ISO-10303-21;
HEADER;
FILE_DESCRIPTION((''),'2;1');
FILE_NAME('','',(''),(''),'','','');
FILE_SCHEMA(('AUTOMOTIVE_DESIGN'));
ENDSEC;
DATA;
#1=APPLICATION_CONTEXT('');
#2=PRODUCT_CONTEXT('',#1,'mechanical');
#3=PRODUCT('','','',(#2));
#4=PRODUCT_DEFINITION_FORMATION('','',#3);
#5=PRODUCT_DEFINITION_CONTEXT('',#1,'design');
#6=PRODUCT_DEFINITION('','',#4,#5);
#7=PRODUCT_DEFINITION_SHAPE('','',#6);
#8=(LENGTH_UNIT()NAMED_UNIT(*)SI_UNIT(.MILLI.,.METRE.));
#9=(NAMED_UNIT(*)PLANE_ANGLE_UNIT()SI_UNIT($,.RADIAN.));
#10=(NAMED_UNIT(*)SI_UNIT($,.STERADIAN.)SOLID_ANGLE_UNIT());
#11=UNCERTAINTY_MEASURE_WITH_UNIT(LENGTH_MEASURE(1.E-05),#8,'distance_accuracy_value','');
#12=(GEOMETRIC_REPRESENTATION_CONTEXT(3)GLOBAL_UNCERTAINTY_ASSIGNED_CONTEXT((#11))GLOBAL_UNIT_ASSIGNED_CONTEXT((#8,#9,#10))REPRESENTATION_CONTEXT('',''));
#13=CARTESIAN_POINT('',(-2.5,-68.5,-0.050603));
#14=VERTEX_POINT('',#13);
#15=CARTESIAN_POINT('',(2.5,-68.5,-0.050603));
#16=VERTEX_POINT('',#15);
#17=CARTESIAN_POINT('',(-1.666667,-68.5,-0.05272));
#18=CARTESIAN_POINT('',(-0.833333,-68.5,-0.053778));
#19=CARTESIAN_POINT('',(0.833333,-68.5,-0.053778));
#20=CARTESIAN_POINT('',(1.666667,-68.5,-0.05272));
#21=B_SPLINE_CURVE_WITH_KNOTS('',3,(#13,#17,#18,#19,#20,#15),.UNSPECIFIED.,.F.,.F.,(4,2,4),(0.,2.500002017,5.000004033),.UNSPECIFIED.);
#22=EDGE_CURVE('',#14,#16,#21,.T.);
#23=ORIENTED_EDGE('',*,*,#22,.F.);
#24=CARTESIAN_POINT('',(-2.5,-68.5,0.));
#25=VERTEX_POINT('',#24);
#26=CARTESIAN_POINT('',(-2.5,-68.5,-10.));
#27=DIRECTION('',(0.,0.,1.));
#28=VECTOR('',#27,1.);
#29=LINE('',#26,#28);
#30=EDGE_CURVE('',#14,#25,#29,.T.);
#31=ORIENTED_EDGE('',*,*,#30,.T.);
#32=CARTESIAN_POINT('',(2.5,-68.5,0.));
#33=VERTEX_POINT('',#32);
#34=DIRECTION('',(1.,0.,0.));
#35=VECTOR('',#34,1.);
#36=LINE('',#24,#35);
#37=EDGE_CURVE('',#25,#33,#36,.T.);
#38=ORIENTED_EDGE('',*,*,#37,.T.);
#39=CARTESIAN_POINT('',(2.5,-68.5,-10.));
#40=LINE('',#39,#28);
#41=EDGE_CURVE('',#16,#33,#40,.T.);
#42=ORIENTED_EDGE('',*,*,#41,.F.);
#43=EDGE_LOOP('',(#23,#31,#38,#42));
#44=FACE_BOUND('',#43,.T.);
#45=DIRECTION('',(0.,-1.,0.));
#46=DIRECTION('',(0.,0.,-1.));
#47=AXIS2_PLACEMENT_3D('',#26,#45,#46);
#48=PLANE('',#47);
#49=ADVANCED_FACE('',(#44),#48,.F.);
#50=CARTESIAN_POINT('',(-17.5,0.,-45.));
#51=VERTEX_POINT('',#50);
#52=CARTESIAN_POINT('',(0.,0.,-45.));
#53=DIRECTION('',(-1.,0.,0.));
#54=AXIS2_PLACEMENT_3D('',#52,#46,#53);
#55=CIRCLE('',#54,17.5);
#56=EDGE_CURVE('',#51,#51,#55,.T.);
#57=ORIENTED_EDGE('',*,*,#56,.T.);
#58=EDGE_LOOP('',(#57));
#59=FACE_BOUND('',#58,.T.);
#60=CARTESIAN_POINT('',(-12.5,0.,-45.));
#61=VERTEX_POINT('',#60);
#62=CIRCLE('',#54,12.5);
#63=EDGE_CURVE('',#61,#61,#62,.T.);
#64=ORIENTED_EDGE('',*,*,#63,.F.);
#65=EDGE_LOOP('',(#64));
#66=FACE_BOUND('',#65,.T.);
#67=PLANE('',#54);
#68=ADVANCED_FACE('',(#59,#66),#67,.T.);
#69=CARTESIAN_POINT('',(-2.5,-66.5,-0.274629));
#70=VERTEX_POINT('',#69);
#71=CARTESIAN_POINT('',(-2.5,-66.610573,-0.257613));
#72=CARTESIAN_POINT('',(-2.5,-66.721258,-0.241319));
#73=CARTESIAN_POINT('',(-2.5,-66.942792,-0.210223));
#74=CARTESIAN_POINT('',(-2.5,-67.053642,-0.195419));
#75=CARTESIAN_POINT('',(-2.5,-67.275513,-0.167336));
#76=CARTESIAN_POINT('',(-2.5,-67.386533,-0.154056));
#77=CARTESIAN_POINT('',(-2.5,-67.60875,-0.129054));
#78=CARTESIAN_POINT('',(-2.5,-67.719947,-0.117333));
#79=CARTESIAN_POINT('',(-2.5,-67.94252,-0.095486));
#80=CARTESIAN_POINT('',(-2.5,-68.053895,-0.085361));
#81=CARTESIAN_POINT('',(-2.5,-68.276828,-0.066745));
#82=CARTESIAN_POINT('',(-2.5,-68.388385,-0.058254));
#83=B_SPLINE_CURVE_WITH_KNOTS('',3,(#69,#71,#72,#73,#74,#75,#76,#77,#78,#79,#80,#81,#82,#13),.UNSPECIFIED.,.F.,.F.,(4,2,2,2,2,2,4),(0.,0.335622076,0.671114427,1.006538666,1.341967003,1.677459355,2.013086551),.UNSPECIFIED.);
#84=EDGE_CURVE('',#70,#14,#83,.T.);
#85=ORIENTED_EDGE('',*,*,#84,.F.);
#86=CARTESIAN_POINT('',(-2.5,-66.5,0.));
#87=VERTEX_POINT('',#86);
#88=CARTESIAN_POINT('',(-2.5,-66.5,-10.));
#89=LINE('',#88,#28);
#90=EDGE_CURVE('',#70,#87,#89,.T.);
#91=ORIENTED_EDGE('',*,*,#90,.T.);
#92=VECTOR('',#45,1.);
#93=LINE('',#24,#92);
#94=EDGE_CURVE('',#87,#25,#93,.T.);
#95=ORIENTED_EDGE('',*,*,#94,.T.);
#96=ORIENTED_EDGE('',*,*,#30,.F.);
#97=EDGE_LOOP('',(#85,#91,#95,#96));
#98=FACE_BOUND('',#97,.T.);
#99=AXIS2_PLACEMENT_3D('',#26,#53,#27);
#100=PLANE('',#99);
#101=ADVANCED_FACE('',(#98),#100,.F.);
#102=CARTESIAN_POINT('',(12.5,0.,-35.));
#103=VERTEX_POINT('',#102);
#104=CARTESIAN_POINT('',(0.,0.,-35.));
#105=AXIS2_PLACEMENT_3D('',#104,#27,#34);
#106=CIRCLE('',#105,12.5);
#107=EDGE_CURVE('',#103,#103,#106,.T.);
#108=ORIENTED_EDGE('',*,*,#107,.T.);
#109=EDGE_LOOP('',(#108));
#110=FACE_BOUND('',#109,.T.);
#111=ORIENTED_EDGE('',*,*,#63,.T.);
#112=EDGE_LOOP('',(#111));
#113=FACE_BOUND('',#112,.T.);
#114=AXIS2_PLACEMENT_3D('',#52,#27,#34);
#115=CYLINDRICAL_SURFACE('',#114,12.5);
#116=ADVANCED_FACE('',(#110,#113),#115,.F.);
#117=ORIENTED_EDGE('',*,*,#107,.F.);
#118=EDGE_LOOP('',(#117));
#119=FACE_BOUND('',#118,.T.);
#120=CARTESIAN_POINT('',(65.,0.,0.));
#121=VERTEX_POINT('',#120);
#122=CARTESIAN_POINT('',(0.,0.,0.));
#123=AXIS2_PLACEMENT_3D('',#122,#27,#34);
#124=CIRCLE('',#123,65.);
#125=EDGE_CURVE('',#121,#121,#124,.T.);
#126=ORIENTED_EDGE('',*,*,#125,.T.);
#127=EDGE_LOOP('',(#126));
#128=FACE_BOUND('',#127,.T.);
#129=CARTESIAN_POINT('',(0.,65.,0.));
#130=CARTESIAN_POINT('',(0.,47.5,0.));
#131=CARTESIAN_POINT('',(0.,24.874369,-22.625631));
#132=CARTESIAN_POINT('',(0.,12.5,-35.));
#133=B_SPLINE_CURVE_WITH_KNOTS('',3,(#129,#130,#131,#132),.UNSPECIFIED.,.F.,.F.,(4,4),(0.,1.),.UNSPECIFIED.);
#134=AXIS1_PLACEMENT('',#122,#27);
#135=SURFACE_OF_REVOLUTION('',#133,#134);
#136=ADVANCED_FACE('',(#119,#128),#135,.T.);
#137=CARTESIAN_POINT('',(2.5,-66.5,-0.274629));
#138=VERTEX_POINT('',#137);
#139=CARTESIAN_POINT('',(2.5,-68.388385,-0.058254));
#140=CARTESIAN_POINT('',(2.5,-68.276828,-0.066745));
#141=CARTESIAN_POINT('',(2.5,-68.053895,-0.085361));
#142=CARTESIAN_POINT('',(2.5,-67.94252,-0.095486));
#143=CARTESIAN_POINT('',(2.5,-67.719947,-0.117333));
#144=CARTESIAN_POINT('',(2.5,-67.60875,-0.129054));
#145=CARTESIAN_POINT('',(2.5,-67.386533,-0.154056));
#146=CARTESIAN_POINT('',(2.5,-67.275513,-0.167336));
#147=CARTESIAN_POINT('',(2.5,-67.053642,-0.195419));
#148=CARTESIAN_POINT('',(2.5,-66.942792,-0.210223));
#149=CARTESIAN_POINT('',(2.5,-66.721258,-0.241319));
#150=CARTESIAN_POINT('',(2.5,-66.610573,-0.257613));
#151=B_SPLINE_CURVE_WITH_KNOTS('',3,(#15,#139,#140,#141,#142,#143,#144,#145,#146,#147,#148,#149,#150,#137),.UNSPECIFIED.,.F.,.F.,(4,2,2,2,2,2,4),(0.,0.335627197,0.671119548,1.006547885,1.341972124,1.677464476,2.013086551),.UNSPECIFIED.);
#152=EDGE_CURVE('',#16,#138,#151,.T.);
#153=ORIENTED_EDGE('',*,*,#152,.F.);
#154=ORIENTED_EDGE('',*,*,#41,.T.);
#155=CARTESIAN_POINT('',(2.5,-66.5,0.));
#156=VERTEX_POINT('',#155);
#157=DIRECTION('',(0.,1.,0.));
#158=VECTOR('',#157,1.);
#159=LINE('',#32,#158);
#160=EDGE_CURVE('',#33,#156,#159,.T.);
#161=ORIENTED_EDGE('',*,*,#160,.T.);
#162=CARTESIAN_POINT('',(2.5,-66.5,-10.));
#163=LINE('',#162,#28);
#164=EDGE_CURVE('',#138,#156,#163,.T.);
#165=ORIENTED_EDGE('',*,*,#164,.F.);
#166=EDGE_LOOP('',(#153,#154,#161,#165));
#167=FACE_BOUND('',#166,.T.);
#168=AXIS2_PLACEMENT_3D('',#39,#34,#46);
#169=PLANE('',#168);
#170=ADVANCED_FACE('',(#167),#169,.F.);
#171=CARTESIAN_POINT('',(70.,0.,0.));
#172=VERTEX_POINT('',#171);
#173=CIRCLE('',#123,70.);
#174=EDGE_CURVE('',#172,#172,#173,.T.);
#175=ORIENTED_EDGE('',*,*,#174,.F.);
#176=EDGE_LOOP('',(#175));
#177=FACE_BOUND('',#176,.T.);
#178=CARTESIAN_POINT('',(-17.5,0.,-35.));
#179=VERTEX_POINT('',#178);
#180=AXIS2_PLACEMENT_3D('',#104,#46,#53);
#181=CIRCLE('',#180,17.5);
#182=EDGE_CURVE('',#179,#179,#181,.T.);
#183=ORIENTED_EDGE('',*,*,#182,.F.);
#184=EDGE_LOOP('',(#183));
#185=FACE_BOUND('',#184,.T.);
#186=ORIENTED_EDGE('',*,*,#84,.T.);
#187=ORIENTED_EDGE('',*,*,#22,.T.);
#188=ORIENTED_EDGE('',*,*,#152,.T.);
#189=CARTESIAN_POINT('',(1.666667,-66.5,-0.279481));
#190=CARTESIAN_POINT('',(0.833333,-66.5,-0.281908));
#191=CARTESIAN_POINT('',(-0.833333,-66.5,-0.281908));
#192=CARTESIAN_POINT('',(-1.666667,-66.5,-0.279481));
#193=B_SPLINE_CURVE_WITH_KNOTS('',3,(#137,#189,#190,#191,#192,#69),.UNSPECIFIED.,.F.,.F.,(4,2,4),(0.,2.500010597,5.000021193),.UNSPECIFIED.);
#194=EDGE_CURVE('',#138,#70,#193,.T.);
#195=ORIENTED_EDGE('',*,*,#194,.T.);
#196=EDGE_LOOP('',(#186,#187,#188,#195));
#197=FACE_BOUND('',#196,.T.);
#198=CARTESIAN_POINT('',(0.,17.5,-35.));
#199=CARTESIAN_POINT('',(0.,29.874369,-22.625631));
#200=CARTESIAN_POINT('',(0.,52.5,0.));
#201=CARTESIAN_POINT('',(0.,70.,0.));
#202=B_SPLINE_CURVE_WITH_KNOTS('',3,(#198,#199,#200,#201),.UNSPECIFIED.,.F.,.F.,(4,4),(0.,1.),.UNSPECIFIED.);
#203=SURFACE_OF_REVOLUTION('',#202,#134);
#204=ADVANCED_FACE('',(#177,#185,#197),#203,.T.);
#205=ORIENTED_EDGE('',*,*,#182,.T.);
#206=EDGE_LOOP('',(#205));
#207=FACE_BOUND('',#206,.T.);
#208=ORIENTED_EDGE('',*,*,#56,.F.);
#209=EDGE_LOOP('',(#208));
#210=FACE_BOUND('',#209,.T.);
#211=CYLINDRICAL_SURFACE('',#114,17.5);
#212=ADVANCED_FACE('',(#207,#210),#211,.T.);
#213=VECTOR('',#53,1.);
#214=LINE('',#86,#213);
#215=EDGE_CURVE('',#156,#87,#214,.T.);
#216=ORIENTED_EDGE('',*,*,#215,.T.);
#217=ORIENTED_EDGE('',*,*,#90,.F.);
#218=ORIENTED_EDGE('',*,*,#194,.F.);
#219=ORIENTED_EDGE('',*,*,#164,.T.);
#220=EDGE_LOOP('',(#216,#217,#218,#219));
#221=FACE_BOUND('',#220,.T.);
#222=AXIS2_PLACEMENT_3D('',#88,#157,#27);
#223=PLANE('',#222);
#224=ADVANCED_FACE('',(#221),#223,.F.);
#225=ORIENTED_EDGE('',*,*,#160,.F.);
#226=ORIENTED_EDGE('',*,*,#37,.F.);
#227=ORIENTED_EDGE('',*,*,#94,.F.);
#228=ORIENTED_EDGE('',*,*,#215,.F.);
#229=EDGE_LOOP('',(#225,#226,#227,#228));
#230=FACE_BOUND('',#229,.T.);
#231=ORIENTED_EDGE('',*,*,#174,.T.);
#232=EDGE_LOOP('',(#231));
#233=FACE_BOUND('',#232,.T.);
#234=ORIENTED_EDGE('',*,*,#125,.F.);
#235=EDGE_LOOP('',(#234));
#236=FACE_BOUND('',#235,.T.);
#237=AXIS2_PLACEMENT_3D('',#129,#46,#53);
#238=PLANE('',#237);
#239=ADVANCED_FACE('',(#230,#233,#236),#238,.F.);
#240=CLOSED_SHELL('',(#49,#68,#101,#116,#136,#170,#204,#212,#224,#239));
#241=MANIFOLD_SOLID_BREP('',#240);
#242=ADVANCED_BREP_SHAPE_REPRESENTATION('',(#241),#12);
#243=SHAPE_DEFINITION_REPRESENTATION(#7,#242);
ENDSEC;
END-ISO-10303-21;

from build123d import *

# Parameters (mm, degrees)
SKETCH2_W           = 5
SKETCH2_H           = 2
CUT_EXTRUDE3_DEPTH  = 10
SKETCH3_R           = 17.5
SKETCH3_R_2         = 12.5
BOSS_EXTRUDE1_DEPTH = 10


with BuildPart() as part:
    # Sketch1 → Revolve1 (revolve)
    with BuildSketch(Plane(origin=(0, 0, 0), x_dir=(0, 0, -1), z_dir=(1, 0, 0))):
        with BuildLine():
            Line((0, 65), (0, 70))
            add(Edge.make_bspline(
                [(0, 70), (0, 52.5), (22.625631329, 29.874368671), (35, 17.5)],
                knots=[0, 0, 0, 0, 1, 1, 1, 1], degree=3))
            Line((35, 17.5), (35, 12.5))
            add(Edge.make_bspline(
                [(0, 65), (0, 47.5), (22.625631329, 24.874368671), (35, 12.5)],
                knots=[0, 0, 0, 0, 1, 1, 1, 1], degree=3))
        make_face()
    revolve(axis=Axis((0, 0, 0), (0, 0, -1)))

    # Sketch2 → Cut-Extrude3 (cut)
    with BuildSketch(Plane.XY):
        with Locations((0, -67.5)):
            Rectangle(SKETCH2_W, SKETCH2_H)
    extrude(amount=-CUT_EXTRUDE3_DEPTH, mode=Mode.SUBTRACT)

    # Sketch3 → Boss-Extrude1 (add)
    with BuildSketch(Plane(origin=(0, 0, -35), x_dir=(-1, 0, 0), z_dir=(0, 0, -1))):
        Circle(SKETCH3_R)
        Circle(SKETCH3_R_2, mode=Mode.SUBTRACT)
    extrude(amount=BOSS_EXTRUDE1_DEPTH)


solid = part.part
